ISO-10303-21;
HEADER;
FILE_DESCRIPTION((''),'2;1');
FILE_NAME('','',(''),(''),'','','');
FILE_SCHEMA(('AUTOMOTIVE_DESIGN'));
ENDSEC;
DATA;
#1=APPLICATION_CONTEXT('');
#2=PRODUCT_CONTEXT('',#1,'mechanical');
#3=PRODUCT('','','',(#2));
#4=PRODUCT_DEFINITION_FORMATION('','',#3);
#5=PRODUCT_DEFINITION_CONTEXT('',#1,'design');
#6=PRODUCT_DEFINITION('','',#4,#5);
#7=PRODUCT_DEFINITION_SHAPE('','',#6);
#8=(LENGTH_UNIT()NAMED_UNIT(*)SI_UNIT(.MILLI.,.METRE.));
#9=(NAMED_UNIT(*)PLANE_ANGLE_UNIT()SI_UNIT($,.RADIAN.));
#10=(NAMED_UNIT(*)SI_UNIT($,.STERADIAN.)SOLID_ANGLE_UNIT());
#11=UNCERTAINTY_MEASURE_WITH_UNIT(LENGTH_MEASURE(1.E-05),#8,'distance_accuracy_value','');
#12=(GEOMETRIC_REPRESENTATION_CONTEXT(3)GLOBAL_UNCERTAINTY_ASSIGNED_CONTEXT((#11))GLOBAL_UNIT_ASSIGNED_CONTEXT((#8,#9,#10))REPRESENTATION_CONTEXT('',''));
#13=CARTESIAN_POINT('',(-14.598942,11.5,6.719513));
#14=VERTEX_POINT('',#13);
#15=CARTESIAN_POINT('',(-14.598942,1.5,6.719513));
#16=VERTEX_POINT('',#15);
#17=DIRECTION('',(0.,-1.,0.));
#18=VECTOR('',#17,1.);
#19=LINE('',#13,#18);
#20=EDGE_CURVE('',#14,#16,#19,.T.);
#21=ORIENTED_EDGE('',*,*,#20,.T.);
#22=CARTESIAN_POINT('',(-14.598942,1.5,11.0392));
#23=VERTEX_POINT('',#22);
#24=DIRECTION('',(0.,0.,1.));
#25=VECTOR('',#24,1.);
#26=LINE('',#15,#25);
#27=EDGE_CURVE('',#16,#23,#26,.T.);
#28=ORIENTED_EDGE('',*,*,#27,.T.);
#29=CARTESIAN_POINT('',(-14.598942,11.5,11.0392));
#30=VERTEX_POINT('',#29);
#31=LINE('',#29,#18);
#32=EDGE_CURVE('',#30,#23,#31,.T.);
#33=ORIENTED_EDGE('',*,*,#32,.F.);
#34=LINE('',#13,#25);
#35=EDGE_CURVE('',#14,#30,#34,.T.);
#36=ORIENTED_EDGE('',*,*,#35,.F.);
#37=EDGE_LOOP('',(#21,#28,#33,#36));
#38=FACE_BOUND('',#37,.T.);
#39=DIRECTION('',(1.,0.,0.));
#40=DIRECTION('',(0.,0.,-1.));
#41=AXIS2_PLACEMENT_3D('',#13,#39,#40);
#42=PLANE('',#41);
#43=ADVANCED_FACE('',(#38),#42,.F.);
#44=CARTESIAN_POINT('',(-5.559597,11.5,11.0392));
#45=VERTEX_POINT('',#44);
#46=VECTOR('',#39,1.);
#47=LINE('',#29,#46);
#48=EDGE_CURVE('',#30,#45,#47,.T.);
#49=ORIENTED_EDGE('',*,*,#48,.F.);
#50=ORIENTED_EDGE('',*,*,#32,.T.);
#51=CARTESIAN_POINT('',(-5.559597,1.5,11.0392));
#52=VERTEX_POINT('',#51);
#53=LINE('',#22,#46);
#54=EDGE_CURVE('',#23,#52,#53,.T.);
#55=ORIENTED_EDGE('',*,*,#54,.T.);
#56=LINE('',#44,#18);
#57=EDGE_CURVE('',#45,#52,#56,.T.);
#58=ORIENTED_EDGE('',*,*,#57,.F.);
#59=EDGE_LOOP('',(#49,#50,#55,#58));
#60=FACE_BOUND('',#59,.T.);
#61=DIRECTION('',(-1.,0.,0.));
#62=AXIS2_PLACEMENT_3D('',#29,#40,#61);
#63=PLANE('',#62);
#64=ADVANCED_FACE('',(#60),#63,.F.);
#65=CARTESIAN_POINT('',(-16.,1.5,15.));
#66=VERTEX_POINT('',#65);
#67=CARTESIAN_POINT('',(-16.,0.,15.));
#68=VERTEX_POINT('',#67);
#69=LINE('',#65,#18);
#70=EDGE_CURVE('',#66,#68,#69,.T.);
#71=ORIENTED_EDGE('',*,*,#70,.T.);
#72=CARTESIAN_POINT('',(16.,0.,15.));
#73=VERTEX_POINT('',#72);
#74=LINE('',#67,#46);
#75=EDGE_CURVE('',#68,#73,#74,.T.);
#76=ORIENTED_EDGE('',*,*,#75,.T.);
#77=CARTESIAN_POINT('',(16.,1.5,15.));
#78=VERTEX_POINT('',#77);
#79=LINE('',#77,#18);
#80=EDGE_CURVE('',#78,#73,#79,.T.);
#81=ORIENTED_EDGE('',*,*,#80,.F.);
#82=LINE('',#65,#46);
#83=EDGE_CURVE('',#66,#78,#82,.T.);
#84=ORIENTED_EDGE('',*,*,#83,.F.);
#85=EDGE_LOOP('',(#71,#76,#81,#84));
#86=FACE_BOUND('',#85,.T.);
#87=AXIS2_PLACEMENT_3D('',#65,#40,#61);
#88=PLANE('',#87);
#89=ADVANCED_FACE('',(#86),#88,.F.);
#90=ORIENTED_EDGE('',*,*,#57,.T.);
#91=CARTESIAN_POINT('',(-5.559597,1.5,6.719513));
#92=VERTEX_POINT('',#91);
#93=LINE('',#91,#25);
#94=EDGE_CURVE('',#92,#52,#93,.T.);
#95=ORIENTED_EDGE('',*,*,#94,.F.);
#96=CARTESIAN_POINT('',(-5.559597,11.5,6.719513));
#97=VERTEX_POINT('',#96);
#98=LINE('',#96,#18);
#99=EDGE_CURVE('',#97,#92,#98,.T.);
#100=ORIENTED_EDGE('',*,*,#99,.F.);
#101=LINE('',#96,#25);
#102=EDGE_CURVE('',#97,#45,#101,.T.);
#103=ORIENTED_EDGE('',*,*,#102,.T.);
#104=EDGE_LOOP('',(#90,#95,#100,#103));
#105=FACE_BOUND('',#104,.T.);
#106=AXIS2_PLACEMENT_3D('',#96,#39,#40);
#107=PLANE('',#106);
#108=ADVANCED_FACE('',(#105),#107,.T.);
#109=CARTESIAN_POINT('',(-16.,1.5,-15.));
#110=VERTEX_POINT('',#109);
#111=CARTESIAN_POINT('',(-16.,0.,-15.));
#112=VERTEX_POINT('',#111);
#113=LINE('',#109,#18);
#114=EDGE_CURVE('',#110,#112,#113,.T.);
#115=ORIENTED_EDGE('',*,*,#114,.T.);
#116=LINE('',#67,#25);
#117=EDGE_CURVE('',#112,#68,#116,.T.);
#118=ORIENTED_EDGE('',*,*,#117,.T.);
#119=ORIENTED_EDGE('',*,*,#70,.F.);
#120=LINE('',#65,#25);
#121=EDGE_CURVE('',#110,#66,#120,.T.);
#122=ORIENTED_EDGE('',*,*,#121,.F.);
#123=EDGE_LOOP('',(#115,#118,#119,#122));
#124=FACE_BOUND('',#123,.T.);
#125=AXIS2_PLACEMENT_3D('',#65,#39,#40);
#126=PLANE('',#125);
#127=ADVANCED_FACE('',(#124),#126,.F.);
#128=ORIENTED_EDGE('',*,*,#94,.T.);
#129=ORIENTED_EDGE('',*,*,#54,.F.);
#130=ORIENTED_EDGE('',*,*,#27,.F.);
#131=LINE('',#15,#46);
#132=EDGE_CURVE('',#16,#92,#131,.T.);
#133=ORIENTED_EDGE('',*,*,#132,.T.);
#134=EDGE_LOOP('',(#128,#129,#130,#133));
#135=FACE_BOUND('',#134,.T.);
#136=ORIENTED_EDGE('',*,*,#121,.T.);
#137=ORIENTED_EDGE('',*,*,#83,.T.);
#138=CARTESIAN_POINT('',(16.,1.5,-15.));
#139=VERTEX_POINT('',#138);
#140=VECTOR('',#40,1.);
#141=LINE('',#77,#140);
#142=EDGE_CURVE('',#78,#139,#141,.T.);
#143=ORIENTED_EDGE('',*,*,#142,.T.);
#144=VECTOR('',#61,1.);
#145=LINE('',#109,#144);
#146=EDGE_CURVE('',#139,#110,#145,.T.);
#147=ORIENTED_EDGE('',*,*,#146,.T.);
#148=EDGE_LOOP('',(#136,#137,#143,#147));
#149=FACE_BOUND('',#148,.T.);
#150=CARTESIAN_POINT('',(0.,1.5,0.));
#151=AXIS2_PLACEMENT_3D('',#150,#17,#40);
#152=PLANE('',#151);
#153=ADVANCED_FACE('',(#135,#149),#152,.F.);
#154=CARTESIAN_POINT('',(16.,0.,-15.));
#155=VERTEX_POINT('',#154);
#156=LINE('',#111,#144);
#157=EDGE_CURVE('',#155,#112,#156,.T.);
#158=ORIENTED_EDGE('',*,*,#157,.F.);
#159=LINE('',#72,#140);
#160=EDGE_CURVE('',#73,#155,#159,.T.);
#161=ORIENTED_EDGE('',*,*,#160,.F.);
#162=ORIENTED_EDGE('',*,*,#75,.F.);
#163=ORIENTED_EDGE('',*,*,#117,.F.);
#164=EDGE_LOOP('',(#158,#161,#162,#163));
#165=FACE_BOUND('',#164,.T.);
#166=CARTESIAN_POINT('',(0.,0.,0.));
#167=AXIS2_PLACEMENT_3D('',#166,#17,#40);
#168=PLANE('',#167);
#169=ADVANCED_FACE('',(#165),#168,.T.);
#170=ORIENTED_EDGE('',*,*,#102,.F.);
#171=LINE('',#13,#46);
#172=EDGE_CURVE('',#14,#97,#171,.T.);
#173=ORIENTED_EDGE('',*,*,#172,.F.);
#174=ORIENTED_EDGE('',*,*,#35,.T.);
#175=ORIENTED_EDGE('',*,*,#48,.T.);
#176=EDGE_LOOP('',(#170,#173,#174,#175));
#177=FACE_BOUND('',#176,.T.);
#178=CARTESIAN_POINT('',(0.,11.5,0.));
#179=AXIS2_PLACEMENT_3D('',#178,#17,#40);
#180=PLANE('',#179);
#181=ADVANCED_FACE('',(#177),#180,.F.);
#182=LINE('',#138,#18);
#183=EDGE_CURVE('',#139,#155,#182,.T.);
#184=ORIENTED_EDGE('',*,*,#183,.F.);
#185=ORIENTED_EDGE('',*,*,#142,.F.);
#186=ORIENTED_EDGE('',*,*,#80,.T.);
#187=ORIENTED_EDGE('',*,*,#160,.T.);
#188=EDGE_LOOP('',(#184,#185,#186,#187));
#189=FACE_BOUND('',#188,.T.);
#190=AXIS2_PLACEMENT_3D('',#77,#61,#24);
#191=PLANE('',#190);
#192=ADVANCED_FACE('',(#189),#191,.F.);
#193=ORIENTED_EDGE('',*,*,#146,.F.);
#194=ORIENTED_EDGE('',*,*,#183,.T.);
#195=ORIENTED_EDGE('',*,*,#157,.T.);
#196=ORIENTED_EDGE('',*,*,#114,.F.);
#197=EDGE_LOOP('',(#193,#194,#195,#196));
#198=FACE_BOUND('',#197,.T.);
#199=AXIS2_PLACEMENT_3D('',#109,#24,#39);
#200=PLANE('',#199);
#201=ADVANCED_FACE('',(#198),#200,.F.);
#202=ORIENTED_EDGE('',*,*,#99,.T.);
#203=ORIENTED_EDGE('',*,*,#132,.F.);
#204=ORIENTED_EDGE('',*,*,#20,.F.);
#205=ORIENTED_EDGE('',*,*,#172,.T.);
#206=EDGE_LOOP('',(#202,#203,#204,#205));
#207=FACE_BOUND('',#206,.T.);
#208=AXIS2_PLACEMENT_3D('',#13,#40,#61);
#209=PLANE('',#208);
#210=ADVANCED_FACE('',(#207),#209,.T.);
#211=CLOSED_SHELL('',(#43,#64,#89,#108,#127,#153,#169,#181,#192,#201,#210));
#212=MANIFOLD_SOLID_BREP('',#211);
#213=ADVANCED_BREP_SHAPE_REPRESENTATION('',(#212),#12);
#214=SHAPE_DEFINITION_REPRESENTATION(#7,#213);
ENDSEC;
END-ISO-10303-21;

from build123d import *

# Parameters (mm, degrees)
SKETCH_1_W      = 32
SKETCH_1_H      = 30
EXTRUDE_1_DEPTH = 1.5
SKETCH_2_W      = 9.039344648
SKETCH_2_H      = 4.319686823
EXTRUDE_2_DEPTH = 10


with BuildPart() as part:
    # 草图1 → 凸台-拉伸1 (new body)
    with BuildSketch(Plane(origin=(0, 0, 0), x_dir=(1, 0, 0), z_dir=(0, 1, 0))):
        Rectangle(SKETCH_1_W, SKETCH_1_H)
    extrude(amount=EXTRUDE_1_DEPTH)

    # 草图2 → 凸台-拉伸2 (add)
    with BuildSketch(Plane(origin=(0, 1.5, 0), x_dir=(1, 0, 0), z_dir=(0, 1, 0))):
        with Locations((-10.079269253, -8.879356247)):
            Rectangle(SKETCH_2_W, SKETCH_2_H)
    extrude(amount=EXTRUDE_2_DEPTH)


solid = part.part
